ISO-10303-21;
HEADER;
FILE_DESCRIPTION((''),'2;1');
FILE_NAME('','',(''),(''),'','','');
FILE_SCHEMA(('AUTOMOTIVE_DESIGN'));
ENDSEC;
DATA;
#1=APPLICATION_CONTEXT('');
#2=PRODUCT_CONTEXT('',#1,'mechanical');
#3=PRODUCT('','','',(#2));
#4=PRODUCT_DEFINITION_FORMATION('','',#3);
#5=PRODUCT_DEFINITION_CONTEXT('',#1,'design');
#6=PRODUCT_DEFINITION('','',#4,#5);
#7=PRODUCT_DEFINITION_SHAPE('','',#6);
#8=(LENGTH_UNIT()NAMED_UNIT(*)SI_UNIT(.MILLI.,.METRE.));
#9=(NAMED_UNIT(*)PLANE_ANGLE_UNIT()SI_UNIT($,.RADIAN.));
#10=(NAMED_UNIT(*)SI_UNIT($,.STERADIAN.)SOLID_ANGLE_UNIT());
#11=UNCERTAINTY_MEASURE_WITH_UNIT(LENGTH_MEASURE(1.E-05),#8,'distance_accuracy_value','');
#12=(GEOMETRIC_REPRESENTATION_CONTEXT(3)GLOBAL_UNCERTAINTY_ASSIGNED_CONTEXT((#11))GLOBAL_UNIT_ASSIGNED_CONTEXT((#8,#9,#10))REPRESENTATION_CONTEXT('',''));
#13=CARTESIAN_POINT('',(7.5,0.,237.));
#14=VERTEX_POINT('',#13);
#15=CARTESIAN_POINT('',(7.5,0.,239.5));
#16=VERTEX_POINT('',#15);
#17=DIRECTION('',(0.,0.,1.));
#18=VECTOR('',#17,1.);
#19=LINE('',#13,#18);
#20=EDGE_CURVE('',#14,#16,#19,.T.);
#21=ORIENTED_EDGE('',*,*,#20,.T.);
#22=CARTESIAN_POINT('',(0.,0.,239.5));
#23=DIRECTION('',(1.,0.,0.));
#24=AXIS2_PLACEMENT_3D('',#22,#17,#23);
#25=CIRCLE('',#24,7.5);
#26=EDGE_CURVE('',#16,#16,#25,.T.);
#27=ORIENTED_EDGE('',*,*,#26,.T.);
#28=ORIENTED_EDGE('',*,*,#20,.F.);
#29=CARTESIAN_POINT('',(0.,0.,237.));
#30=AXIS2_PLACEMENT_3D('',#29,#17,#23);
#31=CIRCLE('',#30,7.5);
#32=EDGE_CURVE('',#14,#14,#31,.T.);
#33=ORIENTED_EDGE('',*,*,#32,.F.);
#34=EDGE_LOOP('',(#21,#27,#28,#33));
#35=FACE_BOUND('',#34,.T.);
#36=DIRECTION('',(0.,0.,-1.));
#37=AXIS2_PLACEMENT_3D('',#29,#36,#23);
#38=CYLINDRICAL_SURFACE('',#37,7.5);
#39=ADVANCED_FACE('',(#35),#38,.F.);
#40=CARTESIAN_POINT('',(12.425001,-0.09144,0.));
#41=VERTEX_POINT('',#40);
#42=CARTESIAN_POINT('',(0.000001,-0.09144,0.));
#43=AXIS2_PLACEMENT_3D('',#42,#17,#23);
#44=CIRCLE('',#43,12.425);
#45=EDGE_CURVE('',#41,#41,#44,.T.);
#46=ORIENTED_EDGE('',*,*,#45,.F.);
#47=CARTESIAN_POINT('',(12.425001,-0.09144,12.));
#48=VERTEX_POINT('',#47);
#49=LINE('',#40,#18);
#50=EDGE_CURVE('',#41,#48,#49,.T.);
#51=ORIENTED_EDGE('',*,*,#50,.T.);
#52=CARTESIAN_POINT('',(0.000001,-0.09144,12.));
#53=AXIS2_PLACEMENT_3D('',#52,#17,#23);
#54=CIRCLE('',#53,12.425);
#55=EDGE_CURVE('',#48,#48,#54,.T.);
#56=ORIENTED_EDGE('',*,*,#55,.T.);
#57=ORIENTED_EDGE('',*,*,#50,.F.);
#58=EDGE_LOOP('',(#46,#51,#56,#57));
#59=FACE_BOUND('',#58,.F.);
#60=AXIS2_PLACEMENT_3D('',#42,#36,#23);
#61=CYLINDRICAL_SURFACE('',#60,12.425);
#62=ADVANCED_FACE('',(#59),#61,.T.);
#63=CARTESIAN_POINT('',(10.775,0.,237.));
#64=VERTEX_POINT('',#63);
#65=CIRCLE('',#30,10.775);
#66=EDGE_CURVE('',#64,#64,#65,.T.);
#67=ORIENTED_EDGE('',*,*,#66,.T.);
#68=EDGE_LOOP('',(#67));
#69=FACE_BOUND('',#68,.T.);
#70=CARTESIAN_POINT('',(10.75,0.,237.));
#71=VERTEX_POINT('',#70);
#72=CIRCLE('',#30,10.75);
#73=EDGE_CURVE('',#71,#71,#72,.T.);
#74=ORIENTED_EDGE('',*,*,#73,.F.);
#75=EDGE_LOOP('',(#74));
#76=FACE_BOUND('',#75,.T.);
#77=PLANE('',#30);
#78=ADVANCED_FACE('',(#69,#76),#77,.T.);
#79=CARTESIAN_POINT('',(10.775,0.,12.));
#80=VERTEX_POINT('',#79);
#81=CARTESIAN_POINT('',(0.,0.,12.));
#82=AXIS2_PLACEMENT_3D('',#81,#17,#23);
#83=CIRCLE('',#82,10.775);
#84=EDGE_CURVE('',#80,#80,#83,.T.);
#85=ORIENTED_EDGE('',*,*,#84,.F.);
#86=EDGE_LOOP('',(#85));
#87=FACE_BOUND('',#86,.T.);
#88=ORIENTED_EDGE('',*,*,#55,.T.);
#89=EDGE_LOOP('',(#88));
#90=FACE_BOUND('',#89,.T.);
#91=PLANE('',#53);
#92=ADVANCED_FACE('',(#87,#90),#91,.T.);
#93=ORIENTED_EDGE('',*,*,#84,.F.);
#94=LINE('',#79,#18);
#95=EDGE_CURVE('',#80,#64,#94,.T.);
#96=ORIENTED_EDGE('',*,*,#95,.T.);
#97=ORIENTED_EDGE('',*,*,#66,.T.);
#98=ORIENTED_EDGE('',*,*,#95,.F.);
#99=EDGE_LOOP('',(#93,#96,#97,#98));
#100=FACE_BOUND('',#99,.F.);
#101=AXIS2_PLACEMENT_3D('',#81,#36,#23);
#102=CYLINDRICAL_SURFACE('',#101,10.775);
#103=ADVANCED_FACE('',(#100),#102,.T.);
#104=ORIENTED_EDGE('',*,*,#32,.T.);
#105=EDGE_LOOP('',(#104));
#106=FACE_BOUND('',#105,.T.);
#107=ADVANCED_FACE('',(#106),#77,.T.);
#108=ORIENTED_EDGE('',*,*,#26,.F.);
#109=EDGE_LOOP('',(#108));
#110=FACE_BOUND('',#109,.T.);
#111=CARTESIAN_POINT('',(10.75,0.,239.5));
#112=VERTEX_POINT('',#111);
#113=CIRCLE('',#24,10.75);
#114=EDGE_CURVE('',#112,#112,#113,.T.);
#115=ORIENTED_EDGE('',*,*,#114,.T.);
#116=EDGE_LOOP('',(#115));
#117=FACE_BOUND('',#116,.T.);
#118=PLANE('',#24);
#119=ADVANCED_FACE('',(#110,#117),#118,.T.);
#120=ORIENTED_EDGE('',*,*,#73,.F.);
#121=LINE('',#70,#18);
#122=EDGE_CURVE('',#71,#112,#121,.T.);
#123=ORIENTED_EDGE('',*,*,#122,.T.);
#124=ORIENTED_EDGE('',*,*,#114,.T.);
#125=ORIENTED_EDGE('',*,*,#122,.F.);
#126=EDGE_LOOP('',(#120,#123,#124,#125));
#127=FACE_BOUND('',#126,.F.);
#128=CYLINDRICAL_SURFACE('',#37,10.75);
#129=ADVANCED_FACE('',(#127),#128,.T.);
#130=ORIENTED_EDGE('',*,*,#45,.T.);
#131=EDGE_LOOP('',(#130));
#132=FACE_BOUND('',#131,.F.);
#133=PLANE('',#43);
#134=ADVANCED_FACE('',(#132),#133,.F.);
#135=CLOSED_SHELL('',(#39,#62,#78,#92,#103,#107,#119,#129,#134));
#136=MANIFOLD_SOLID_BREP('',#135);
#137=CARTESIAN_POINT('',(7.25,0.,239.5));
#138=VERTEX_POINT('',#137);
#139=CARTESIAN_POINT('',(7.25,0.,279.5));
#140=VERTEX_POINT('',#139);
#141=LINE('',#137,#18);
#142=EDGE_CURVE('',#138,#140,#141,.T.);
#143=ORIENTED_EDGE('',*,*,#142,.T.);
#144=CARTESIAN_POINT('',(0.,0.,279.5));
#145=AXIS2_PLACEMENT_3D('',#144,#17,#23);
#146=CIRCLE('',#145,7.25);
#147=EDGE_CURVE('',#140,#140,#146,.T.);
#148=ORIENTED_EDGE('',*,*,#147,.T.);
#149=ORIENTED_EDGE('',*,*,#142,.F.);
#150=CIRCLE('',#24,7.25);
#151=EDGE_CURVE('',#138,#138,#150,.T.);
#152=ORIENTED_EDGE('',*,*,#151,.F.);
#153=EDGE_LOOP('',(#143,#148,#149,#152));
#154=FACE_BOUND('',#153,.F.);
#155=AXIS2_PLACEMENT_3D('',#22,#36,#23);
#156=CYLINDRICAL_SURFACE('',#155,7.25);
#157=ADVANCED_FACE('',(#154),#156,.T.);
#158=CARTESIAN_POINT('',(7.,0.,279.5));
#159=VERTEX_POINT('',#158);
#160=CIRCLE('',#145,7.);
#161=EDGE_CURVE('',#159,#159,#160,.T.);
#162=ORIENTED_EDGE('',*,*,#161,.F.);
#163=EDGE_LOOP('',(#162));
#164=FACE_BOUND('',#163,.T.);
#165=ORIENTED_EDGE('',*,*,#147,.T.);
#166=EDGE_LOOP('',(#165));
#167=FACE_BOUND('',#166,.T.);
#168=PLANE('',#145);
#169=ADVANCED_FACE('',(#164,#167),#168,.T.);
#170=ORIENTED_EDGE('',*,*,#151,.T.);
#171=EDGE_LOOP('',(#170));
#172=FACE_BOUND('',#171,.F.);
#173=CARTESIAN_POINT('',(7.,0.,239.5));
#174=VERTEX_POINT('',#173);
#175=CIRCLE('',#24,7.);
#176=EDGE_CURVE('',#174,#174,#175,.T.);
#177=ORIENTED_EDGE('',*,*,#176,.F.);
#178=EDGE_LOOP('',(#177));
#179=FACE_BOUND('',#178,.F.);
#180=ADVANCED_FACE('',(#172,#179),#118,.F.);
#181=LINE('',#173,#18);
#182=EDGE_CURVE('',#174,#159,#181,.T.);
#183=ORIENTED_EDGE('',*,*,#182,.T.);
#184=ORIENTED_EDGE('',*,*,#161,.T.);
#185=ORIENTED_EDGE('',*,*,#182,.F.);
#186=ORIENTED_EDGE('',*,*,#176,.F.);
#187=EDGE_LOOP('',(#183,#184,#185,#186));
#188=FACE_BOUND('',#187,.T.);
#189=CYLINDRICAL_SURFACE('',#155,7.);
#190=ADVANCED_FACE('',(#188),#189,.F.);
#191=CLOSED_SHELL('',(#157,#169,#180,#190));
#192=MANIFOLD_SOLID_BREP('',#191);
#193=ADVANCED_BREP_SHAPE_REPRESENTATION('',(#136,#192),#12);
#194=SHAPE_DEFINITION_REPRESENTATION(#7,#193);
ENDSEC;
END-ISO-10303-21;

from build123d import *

# Parameters (mm, degrees)
F0_R     = 12.425
F1_DEPTH = 12
F2_R     = 10.775
F3_DEPTH = 225
F4_R     = 10.75
F4_R_2   = 7.5
F5_DEPTH = 2.5
F6_R     = 7.25
F6_R_2   = 7
F7_DEPTH = 40


with BuildPart() as f1:
    # F0 (on Top) → F1 (new body)
    with BuildSketch(Plane.XY):
        with Locations((1e-06, -0.09144)):
            Circle(F0_R)
    extrude(amount=F1_DEPTH)

    # F2 (on face) → F3 (join)
    with BuildSketch(Plane.XY.offset(12)):
        Circle(F2_R)
    extrude(amount=F3_DEPTH)

    # F4 (on face) → F5 (join)
    with BuildSketch(Plane.XY.offset(237)):
        Circle(F4_R)
        Circle(F4_R_2, mode=Mode.SUBTRACT)
    extrude(amount=F5_DEPTH)


with BuildPart() as f7:
    # F6 (on face) → F7 (new body)
    with BuildSketch(Plane.XY.offset(239.5)):
        Circle(F6_R)
        Circle(F6_R_2, mode=Mode.SUBTRACT)
    extrude(amount=F7_DEPTH)


solid = Compound([f1.part, f7.part])
